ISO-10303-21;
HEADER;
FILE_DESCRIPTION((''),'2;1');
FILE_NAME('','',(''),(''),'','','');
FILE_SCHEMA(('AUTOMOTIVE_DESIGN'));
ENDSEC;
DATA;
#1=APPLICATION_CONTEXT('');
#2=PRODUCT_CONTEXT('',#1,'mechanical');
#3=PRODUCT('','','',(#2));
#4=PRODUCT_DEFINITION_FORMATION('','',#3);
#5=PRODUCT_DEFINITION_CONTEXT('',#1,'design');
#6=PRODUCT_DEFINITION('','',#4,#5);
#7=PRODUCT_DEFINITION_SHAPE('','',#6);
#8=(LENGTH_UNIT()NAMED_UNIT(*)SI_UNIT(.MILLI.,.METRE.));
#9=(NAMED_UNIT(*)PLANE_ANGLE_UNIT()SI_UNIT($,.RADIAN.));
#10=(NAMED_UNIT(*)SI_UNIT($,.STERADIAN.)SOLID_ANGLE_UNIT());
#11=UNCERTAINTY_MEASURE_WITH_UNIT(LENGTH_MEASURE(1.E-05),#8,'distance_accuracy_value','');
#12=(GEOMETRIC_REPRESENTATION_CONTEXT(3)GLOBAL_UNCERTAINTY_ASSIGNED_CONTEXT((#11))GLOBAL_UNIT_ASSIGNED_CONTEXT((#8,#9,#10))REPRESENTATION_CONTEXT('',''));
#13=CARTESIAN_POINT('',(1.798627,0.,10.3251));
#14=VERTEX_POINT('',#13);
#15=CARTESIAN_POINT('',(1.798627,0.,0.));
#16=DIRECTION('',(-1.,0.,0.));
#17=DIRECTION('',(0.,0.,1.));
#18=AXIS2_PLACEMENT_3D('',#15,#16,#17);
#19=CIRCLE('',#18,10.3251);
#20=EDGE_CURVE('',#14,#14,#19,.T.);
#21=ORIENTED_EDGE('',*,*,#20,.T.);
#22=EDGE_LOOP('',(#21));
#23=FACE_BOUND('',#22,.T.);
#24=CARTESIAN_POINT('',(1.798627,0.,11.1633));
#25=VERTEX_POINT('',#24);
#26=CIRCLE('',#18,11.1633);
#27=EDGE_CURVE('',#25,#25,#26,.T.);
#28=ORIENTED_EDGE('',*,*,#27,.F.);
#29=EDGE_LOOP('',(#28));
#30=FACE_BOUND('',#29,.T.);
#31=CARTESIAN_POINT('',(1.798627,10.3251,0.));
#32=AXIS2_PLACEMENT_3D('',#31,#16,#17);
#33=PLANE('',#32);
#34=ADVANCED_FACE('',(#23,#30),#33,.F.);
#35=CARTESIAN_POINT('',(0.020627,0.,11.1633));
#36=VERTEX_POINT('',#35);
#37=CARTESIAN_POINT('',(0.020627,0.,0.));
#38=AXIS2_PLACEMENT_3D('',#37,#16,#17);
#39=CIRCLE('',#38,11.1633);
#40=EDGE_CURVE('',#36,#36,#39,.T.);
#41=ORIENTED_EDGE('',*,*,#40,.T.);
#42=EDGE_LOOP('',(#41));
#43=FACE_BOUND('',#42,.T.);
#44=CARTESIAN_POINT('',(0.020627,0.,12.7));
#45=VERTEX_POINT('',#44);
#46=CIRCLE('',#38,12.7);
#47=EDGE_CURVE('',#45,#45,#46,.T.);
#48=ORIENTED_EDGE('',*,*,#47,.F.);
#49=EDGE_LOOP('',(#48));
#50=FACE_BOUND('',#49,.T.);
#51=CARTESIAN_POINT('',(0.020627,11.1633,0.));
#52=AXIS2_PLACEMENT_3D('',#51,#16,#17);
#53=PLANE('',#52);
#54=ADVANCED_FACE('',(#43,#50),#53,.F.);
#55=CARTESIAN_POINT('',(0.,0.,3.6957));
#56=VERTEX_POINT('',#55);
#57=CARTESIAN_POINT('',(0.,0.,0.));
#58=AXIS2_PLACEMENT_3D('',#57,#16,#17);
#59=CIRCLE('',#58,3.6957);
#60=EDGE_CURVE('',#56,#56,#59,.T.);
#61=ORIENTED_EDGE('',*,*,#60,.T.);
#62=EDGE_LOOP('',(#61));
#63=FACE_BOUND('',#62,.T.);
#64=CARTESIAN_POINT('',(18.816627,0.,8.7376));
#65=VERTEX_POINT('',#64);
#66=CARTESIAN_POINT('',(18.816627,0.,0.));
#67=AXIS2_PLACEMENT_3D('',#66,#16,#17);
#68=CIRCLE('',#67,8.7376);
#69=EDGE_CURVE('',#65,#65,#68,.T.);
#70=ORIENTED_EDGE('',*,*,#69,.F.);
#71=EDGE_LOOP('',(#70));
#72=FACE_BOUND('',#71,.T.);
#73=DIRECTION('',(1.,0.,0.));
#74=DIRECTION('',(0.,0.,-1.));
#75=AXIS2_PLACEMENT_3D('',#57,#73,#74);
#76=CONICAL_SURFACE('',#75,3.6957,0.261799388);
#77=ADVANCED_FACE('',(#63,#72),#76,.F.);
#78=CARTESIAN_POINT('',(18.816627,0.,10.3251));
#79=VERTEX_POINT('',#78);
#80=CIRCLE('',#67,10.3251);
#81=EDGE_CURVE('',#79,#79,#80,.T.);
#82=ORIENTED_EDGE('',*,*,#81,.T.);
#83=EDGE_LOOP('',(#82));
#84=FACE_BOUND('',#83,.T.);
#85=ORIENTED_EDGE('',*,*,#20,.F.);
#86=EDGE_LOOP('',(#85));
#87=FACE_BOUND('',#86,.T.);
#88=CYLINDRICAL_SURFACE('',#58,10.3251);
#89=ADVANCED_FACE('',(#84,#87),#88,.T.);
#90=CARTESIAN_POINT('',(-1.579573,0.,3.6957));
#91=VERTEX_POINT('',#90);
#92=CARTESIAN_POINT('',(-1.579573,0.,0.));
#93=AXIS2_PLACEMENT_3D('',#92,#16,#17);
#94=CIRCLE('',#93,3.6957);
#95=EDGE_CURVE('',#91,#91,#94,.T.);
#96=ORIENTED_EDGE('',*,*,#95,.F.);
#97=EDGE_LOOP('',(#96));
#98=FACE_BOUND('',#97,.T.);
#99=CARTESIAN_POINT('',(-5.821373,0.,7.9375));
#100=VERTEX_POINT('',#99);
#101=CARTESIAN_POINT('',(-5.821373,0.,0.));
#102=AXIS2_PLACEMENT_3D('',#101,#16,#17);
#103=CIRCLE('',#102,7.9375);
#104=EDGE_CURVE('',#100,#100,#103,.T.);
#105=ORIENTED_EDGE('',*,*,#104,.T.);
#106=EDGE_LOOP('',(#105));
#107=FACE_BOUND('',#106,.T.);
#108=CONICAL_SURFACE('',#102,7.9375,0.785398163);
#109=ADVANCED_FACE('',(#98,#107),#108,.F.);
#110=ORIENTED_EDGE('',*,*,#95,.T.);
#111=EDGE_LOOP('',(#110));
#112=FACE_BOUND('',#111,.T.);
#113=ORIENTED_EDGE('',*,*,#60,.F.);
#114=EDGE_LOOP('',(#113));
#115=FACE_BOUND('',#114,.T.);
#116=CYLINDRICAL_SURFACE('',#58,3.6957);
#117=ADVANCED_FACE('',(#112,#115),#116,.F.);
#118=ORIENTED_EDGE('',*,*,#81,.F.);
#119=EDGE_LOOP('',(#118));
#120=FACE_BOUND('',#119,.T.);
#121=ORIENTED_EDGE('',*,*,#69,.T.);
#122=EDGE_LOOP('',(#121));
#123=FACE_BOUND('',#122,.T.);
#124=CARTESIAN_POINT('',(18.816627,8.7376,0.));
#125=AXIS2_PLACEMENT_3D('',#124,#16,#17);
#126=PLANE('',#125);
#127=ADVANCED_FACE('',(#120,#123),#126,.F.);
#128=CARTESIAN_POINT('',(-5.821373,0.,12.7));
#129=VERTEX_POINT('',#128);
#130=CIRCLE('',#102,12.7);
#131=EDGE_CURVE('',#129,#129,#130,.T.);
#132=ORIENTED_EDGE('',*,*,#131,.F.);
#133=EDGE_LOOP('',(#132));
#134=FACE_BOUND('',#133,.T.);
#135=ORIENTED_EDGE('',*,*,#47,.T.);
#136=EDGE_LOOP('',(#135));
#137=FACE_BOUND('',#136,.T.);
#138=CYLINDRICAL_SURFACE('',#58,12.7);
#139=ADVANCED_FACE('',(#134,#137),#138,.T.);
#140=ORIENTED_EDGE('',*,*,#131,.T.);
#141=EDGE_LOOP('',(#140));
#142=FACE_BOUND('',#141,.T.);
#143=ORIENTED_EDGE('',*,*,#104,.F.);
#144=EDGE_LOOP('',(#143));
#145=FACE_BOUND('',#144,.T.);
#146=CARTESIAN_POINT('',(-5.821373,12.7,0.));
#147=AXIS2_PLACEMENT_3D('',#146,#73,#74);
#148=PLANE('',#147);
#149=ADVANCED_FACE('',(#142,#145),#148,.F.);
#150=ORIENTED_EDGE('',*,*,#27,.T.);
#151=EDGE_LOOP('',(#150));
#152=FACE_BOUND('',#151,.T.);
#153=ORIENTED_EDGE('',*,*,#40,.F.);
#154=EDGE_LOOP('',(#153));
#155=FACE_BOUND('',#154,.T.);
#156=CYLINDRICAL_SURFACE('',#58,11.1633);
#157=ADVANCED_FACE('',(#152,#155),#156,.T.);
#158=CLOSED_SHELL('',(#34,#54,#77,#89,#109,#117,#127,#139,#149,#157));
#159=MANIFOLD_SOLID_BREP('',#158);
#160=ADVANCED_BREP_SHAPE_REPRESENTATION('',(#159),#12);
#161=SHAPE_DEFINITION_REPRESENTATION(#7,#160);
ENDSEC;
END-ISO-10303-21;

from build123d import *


with BuildPart() as part:
    # Sketch1 → Revolve1 (revolve)
    with BuildSketch(Plane.XY, mode=Mode.PRIVATE) as revolve1_sk:
        Polygon((0, 3.6957), (18.816626967, 8.7376), (18.816626967, 10.3251), (1.798626967, 10.3251), (1.798626967, 11.1633), (0.020626967, 11.1633), (0.020626967, 12.7), (-5.821373033, 12.7), (-5.821373033, 7.9375), (-1.579573033, 3.6957), align=None)
    revolve(revolve1_sk.sketch.rotate(Axis((0, 0, 0), (1, 0, 0)), 90), axis=Axis((0, 0, 0), (1, 0, 0)))


solid = part.part
